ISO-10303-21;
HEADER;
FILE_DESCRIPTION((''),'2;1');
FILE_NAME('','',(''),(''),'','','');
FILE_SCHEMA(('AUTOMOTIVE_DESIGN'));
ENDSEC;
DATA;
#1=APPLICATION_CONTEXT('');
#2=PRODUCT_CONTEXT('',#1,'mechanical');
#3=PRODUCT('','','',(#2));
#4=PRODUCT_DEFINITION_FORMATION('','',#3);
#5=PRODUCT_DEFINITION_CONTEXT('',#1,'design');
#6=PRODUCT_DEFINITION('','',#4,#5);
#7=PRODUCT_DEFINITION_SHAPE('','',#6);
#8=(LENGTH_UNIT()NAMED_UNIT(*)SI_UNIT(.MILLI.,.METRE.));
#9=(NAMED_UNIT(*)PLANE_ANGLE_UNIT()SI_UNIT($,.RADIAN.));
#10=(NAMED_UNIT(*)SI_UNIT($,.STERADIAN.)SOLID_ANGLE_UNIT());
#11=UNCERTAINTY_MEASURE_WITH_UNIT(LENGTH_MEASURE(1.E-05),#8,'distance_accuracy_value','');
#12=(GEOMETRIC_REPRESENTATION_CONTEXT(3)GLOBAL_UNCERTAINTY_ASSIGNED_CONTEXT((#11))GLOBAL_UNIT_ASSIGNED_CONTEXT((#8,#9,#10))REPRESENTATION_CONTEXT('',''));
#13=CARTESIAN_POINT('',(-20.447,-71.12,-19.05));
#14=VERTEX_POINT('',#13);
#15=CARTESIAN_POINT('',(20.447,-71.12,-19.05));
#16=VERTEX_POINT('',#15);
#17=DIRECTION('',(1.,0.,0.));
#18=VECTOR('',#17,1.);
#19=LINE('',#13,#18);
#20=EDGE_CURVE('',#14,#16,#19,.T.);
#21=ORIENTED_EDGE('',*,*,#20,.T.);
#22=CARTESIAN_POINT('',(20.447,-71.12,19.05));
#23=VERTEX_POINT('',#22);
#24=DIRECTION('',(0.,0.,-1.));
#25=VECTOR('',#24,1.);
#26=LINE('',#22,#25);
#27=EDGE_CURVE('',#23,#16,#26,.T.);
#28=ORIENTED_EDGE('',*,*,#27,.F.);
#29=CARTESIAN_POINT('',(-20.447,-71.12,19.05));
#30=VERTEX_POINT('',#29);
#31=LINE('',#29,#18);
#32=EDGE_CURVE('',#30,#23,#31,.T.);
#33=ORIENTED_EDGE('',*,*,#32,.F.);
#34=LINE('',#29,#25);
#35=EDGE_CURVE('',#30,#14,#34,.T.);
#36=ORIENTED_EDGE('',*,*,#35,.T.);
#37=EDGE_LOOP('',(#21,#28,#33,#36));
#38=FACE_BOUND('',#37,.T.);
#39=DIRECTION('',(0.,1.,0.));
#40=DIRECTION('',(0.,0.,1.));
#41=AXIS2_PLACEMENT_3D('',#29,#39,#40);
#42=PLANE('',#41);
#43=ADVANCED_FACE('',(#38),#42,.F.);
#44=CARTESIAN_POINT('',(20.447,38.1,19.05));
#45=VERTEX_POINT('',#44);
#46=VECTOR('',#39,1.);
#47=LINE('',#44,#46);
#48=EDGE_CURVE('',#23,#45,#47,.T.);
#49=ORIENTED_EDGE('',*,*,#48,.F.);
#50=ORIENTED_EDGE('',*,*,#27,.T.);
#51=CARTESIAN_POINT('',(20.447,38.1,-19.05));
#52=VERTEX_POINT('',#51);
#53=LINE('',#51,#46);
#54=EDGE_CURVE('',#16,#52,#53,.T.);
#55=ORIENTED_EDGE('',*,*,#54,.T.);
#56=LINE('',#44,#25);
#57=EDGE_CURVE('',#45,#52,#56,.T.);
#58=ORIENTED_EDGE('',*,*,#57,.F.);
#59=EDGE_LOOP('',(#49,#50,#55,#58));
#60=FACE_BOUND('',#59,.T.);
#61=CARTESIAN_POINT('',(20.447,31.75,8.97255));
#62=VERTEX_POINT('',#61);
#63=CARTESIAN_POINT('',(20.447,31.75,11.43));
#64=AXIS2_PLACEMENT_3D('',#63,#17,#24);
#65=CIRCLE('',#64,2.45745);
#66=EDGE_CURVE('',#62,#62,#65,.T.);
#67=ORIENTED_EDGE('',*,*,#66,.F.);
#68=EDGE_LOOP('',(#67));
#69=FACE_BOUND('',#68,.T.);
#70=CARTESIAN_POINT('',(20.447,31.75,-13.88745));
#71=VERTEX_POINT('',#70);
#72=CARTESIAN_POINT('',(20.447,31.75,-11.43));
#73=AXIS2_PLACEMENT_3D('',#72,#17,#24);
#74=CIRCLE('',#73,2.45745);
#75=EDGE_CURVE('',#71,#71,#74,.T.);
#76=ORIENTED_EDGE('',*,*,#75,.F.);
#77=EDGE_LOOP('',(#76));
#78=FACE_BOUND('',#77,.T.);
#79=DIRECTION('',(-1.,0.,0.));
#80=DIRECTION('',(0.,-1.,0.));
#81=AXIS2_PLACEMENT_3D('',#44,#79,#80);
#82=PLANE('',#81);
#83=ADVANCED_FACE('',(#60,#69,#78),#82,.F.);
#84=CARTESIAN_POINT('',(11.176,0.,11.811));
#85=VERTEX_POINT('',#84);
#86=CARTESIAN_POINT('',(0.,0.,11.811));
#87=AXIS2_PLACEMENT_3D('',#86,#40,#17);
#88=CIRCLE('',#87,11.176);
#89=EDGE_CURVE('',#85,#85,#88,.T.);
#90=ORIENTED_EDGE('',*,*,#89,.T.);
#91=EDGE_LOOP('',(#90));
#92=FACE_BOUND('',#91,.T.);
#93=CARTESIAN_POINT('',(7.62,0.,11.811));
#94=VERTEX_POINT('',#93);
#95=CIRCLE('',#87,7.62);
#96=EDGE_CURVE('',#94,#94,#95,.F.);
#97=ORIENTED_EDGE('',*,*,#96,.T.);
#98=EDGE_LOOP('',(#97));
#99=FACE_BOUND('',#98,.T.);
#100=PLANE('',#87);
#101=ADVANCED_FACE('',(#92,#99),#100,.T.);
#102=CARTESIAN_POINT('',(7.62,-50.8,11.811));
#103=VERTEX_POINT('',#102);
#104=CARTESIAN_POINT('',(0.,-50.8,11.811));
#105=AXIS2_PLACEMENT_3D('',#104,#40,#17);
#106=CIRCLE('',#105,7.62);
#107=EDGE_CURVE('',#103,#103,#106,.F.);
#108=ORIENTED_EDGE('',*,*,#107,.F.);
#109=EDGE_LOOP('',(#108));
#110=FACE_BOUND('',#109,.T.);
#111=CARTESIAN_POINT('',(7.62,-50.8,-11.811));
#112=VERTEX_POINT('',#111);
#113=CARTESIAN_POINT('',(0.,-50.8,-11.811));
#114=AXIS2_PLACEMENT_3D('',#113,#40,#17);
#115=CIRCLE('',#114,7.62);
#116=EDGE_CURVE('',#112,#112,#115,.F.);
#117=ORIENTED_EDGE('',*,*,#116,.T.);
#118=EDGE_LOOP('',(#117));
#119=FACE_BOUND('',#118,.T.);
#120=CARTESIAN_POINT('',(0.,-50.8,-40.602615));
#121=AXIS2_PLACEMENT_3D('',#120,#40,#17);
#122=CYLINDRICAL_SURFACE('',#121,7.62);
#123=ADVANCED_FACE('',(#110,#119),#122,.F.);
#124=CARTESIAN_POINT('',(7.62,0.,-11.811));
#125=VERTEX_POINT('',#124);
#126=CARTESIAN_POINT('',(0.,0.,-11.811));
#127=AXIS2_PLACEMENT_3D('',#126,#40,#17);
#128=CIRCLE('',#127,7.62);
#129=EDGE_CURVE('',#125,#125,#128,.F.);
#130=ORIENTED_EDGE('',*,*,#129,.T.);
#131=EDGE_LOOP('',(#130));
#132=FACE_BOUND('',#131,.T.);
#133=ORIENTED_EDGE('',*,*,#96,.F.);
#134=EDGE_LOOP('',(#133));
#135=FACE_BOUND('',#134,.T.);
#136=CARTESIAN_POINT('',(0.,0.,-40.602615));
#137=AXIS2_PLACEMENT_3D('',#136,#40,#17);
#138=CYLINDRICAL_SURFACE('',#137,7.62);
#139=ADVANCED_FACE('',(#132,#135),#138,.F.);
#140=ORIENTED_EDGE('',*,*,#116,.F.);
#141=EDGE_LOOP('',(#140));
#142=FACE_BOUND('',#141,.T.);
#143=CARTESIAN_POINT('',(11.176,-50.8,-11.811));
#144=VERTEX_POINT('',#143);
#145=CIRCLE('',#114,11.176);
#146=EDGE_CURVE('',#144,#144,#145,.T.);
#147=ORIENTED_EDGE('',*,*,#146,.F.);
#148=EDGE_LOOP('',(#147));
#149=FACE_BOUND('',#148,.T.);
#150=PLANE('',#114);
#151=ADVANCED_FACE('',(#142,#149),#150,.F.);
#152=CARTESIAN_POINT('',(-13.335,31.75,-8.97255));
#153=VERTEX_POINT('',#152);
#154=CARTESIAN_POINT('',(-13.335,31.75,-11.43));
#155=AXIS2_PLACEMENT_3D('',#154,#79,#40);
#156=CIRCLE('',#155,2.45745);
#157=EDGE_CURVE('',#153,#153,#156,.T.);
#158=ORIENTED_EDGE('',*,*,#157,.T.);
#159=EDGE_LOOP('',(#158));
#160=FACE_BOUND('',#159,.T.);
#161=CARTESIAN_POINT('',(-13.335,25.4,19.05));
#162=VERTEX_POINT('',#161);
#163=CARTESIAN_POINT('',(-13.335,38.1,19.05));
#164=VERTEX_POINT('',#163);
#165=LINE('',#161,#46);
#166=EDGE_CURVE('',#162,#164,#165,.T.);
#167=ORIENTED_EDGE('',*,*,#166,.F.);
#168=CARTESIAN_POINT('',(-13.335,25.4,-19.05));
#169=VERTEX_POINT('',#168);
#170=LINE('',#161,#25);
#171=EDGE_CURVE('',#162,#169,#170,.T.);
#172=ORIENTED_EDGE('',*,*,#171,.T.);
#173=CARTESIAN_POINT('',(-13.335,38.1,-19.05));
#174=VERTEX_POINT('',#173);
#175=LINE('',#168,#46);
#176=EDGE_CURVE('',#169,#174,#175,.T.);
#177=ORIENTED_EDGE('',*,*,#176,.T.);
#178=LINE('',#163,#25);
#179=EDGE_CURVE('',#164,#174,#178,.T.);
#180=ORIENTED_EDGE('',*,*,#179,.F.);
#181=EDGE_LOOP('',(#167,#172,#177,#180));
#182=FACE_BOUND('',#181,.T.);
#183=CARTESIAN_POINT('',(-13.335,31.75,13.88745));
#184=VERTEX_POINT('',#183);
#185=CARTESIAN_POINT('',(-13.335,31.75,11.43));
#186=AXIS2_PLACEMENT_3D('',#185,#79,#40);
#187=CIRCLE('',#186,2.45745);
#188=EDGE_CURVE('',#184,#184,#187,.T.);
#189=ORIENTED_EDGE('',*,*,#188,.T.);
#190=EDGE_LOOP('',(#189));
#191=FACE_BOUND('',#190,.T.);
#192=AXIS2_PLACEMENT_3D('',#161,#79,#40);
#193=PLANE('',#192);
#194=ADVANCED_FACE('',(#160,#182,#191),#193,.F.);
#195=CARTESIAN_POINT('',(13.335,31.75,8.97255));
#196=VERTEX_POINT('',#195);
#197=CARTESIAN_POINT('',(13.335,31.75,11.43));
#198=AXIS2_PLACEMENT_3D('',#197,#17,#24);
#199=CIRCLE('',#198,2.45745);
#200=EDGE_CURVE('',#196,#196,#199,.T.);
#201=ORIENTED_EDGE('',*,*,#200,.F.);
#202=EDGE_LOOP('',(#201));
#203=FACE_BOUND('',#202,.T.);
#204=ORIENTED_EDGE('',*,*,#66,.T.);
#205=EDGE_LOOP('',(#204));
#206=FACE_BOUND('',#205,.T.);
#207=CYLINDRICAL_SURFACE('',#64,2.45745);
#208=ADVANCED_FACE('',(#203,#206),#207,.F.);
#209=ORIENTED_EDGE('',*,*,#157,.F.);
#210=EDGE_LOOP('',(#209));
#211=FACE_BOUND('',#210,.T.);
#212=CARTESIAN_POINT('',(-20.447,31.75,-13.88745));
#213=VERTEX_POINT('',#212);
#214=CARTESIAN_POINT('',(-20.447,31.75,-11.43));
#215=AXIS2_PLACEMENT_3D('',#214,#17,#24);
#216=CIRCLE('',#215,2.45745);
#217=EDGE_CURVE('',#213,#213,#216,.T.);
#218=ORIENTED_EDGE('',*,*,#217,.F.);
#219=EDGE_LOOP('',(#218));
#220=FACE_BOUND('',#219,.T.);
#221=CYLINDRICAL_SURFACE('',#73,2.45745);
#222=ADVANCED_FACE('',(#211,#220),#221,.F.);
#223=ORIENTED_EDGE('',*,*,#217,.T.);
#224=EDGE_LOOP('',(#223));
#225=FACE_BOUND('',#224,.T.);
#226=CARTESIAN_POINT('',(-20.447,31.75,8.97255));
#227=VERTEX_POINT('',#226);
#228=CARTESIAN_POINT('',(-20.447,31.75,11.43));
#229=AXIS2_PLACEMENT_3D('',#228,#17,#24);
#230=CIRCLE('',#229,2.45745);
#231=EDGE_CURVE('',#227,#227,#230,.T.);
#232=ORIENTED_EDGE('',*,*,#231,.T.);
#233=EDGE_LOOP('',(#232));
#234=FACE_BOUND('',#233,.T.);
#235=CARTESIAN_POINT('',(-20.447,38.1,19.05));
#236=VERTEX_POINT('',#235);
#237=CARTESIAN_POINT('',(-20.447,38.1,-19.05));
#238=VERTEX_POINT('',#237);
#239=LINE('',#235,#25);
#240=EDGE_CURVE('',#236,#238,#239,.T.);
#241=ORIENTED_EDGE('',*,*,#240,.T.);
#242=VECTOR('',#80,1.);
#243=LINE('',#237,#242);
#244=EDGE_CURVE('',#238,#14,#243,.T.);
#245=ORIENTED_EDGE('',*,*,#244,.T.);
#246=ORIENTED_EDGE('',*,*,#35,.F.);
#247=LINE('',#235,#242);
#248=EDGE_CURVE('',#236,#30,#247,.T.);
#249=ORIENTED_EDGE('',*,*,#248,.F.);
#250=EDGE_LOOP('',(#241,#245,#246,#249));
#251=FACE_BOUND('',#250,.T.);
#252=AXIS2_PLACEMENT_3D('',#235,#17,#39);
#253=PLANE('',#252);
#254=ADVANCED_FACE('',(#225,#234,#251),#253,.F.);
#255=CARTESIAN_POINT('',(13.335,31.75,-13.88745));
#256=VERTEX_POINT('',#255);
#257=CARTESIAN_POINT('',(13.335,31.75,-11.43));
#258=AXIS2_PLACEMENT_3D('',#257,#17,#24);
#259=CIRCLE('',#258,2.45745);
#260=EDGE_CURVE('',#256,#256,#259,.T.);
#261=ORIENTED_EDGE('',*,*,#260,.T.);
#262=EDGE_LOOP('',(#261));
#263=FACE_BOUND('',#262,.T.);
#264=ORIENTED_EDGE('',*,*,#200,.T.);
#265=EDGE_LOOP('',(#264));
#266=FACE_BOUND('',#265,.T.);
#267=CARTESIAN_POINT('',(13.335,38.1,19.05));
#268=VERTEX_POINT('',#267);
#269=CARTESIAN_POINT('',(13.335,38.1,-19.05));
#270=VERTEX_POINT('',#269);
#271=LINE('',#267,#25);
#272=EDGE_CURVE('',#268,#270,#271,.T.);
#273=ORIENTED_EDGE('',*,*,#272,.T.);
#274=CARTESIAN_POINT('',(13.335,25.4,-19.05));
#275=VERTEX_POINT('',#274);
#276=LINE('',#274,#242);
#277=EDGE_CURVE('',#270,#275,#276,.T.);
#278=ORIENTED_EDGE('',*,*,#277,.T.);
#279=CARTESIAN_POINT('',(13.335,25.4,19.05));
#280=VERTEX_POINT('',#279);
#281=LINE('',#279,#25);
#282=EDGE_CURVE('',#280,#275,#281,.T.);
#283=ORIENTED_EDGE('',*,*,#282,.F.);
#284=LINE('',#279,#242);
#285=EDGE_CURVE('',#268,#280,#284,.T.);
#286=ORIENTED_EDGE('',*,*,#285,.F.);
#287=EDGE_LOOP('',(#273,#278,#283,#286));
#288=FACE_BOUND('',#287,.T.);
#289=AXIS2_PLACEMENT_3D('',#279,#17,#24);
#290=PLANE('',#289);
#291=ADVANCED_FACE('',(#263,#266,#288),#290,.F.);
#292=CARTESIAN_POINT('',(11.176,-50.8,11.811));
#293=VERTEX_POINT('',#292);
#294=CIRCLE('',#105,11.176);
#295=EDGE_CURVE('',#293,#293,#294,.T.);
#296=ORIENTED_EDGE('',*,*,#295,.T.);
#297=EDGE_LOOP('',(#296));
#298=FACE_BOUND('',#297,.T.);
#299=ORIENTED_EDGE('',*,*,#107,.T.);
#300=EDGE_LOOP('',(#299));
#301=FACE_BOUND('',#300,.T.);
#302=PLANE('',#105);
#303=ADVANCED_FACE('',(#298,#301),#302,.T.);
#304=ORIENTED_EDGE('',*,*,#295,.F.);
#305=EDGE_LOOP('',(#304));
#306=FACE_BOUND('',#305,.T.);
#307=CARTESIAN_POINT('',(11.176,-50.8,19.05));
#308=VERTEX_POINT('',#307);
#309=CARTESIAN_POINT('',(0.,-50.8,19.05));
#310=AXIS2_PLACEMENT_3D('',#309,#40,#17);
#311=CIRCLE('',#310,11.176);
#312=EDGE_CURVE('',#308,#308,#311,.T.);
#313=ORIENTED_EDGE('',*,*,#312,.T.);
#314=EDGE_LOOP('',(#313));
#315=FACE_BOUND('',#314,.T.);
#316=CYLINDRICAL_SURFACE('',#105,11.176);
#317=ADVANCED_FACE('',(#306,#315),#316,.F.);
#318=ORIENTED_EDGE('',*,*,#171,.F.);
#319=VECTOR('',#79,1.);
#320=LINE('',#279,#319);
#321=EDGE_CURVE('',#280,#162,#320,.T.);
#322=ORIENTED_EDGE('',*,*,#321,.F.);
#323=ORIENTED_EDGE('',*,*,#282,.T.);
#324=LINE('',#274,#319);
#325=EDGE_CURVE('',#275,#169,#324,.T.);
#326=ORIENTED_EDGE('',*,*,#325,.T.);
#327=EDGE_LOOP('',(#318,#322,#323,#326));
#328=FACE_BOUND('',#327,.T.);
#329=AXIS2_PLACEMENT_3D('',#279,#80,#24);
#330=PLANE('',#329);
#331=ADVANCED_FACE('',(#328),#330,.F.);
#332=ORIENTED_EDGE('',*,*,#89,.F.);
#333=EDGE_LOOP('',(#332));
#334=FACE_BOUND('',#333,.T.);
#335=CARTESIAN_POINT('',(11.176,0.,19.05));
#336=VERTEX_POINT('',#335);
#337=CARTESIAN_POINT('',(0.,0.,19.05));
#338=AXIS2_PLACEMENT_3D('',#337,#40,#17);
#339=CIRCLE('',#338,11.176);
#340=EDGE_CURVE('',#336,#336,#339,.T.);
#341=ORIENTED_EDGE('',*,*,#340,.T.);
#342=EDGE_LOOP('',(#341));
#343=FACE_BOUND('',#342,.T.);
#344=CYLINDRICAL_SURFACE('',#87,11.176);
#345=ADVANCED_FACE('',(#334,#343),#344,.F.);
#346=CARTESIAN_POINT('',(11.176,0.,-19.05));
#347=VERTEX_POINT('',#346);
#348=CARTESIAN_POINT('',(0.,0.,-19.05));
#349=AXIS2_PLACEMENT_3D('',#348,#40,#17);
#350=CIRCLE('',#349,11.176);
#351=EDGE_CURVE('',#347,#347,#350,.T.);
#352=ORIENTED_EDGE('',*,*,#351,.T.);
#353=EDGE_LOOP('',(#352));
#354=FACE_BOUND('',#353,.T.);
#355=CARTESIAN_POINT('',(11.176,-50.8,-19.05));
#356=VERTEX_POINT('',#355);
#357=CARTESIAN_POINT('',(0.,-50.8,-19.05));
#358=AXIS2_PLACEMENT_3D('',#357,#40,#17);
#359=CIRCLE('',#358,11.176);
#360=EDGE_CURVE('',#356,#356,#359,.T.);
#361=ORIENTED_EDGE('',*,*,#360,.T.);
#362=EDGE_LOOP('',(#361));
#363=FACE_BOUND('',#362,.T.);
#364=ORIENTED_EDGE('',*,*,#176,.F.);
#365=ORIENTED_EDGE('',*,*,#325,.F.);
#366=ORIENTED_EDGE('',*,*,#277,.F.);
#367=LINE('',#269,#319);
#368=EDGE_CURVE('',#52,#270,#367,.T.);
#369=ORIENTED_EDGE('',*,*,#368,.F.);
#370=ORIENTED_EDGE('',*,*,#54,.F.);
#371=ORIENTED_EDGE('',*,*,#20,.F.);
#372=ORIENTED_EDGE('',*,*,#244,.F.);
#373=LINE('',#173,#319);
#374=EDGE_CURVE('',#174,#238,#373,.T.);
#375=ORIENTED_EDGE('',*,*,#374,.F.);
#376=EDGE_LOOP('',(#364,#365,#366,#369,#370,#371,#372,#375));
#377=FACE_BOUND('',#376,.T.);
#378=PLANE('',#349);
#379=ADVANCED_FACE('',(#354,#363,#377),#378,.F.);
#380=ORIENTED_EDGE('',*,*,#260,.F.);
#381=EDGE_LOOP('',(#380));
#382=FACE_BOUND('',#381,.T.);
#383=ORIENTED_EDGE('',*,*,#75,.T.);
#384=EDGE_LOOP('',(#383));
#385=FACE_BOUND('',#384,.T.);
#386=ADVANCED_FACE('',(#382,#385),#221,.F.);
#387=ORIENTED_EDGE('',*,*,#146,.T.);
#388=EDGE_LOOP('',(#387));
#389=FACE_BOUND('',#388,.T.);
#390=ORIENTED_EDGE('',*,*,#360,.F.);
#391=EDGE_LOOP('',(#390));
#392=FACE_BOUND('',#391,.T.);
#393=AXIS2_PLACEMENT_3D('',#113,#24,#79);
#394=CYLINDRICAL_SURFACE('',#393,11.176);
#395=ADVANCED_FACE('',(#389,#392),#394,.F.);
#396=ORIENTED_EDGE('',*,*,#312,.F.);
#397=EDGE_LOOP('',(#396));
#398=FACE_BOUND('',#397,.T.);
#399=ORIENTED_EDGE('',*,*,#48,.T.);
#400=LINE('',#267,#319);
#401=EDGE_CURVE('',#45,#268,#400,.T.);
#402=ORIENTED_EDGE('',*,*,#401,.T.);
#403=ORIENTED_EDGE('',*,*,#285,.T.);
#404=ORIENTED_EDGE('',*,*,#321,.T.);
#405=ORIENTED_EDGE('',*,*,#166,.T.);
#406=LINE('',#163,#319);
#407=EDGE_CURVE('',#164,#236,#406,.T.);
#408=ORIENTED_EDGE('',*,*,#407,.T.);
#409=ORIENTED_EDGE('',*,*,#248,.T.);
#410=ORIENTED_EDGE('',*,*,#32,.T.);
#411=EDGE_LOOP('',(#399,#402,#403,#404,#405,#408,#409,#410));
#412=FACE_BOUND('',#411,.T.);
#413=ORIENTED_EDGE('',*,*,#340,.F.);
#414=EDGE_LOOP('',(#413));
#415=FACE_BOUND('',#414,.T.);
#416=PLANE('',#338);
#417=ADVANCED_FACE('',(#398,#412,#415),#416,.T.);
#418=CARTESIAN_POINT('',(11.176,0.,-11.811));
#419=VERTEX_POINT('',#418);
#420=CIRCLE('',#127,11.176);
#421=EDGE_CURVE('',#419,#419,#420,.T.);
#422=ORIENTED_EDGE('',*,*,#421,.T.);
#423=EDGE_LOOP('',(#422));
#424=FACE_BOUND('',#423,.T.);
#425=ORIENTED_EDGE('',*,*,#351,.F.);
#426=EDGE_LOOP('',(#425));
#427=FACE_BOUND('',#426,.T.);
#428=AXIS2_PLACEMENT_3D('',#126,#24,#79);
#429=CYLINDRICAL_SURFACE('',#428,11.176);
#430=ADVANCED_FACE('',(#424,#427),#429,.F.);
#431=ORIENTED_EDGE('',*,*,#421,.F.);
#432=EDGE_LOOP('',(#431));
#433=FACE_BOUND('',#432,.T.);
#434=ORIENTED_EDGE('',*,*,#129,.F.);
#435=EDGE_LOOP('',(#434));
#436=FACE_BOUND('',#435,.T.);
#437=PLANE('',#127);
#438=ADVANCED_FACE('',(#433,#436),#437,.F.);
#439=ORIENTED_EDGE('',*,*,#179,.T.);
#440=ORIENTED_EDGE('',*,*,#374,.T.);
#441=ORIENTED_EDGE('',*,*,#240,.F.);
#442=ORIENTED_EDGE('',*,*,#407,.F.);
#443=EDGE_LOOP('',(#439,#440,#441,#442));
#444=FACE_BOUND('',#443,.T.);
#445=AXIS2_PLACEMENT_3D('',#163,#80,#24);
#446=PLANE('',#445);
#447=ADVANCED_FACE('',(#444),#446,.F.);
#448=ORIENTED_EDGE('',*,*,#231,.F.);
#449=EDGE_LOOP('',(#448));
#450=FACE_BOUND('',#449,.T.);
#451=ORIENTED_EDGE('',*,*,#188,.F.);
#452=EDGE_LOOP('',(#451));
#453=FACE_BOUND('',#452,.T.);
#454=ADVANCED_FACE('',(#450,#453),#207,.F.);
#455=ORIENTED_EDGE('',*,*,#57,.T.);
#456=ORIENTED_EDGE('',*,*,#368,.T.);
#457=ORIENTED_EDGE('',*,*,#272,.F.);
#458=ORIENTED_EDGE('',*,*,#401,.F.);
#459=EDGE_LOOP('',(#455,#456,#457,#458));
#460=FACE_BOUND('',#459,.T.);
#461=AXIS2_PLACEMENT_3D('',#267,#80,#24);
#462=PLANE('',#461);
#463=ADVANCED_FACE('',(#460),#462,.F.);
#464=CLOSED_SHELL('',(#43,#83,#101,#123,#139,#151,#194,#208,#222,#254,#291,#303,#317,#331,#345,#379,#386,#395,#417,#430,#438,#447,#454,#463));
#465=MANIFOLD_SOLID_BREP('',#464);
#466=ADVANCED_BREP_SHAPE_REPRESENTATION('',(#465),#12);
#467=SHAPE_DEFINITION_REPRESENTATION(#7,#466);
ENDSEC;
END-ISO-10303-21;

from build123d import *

# Parameters (mm, degrees)
BOSS_EXTRUDE1_DEPTH          = 19.05
SKETCH7_R                    = 7.62
CUT_EXTRUDE2_DEPTH           = 38.1
SKETCH2_R                    = 11.176
CUT_EXTRUDE1_DEPTH           = 7.239
SKETCH8_R                    = 11.176
CUT_EXTRUDE3_DEPTH           = 7.239
F_10_0_1935_DIAMETER_HOLE1_D = 4.9149


with BuildPart() as part:
    # Sketch1 → Boss-Extrude1 (new body, symmetric)
    with BuildSketch(Plane.XY):
        Polygon((13.335, 25.4), (-13.335, 25.4), (-13.335, 38.1), (-20.447, 38.1), (-20.447, -71.12), (20.447, -71.12), (20.447, 38.1), (13.335, 38.1), align=None)
    extrude(amount=BOSS_EXTRUDE1_DEPTH, both=True)

    # Sketch7 → Cut-Extrude2 (cut)
    with BuildSketch(Plane.XY.offset(19.05)):
        Circle(SKETCH7_R)
        with Locations((0, -50.8)):
            Circle(SKETCH7_R)
    extrude(amount=-CUT_EXTRUDE2_DEPTH, mode=Mode.SUBTRACT)

    # Sketch2 → Cut-Extrude1 (cut)
    with BuildSketch(Plane.XY.offset(19.05)):
        Circle(SKETCH2_R)
        with Locations((0, -50.8)):
            Circle(SKETCH2_R)
    extrude(amount=-CUT_EXTRUDE1_DEPTH, mode=Mode.SUBTRACT)

    # Sketch8 → Cut-Extrude3 (cut)
    with BuildSketch(Plane.XY.offset(-19.05)):
        Circle(SKETCH8_R)
        with Locations((0, -50.8)):
            Circle(SKETCH8_R)
    extrude(amount=CUT_EXTRUDE3_DEPTH, mode=Mode.SUBTRACT)

    # #10 (0.1935) Diameter Hole1 (through all)
    with Locations(Plane(origin=(20.447, 0, 0), x_dir=(0, 0, -1), z_dir=(1, 0, 0))):
        with Locations((-11.43, 31.75)):
            f_10_0_1935_diameter_hole1 = Hole(F_10_0_1935_DIAMETER_HOLE1_D / 2)

    # Mirror1: #10 (0.1935) Diameter Hole1 across plane
    add(f_10_0_1935_diameter_hole1.mirror(Plane.XY), mode=Mode.SUBTRACT)


solid = part.part
